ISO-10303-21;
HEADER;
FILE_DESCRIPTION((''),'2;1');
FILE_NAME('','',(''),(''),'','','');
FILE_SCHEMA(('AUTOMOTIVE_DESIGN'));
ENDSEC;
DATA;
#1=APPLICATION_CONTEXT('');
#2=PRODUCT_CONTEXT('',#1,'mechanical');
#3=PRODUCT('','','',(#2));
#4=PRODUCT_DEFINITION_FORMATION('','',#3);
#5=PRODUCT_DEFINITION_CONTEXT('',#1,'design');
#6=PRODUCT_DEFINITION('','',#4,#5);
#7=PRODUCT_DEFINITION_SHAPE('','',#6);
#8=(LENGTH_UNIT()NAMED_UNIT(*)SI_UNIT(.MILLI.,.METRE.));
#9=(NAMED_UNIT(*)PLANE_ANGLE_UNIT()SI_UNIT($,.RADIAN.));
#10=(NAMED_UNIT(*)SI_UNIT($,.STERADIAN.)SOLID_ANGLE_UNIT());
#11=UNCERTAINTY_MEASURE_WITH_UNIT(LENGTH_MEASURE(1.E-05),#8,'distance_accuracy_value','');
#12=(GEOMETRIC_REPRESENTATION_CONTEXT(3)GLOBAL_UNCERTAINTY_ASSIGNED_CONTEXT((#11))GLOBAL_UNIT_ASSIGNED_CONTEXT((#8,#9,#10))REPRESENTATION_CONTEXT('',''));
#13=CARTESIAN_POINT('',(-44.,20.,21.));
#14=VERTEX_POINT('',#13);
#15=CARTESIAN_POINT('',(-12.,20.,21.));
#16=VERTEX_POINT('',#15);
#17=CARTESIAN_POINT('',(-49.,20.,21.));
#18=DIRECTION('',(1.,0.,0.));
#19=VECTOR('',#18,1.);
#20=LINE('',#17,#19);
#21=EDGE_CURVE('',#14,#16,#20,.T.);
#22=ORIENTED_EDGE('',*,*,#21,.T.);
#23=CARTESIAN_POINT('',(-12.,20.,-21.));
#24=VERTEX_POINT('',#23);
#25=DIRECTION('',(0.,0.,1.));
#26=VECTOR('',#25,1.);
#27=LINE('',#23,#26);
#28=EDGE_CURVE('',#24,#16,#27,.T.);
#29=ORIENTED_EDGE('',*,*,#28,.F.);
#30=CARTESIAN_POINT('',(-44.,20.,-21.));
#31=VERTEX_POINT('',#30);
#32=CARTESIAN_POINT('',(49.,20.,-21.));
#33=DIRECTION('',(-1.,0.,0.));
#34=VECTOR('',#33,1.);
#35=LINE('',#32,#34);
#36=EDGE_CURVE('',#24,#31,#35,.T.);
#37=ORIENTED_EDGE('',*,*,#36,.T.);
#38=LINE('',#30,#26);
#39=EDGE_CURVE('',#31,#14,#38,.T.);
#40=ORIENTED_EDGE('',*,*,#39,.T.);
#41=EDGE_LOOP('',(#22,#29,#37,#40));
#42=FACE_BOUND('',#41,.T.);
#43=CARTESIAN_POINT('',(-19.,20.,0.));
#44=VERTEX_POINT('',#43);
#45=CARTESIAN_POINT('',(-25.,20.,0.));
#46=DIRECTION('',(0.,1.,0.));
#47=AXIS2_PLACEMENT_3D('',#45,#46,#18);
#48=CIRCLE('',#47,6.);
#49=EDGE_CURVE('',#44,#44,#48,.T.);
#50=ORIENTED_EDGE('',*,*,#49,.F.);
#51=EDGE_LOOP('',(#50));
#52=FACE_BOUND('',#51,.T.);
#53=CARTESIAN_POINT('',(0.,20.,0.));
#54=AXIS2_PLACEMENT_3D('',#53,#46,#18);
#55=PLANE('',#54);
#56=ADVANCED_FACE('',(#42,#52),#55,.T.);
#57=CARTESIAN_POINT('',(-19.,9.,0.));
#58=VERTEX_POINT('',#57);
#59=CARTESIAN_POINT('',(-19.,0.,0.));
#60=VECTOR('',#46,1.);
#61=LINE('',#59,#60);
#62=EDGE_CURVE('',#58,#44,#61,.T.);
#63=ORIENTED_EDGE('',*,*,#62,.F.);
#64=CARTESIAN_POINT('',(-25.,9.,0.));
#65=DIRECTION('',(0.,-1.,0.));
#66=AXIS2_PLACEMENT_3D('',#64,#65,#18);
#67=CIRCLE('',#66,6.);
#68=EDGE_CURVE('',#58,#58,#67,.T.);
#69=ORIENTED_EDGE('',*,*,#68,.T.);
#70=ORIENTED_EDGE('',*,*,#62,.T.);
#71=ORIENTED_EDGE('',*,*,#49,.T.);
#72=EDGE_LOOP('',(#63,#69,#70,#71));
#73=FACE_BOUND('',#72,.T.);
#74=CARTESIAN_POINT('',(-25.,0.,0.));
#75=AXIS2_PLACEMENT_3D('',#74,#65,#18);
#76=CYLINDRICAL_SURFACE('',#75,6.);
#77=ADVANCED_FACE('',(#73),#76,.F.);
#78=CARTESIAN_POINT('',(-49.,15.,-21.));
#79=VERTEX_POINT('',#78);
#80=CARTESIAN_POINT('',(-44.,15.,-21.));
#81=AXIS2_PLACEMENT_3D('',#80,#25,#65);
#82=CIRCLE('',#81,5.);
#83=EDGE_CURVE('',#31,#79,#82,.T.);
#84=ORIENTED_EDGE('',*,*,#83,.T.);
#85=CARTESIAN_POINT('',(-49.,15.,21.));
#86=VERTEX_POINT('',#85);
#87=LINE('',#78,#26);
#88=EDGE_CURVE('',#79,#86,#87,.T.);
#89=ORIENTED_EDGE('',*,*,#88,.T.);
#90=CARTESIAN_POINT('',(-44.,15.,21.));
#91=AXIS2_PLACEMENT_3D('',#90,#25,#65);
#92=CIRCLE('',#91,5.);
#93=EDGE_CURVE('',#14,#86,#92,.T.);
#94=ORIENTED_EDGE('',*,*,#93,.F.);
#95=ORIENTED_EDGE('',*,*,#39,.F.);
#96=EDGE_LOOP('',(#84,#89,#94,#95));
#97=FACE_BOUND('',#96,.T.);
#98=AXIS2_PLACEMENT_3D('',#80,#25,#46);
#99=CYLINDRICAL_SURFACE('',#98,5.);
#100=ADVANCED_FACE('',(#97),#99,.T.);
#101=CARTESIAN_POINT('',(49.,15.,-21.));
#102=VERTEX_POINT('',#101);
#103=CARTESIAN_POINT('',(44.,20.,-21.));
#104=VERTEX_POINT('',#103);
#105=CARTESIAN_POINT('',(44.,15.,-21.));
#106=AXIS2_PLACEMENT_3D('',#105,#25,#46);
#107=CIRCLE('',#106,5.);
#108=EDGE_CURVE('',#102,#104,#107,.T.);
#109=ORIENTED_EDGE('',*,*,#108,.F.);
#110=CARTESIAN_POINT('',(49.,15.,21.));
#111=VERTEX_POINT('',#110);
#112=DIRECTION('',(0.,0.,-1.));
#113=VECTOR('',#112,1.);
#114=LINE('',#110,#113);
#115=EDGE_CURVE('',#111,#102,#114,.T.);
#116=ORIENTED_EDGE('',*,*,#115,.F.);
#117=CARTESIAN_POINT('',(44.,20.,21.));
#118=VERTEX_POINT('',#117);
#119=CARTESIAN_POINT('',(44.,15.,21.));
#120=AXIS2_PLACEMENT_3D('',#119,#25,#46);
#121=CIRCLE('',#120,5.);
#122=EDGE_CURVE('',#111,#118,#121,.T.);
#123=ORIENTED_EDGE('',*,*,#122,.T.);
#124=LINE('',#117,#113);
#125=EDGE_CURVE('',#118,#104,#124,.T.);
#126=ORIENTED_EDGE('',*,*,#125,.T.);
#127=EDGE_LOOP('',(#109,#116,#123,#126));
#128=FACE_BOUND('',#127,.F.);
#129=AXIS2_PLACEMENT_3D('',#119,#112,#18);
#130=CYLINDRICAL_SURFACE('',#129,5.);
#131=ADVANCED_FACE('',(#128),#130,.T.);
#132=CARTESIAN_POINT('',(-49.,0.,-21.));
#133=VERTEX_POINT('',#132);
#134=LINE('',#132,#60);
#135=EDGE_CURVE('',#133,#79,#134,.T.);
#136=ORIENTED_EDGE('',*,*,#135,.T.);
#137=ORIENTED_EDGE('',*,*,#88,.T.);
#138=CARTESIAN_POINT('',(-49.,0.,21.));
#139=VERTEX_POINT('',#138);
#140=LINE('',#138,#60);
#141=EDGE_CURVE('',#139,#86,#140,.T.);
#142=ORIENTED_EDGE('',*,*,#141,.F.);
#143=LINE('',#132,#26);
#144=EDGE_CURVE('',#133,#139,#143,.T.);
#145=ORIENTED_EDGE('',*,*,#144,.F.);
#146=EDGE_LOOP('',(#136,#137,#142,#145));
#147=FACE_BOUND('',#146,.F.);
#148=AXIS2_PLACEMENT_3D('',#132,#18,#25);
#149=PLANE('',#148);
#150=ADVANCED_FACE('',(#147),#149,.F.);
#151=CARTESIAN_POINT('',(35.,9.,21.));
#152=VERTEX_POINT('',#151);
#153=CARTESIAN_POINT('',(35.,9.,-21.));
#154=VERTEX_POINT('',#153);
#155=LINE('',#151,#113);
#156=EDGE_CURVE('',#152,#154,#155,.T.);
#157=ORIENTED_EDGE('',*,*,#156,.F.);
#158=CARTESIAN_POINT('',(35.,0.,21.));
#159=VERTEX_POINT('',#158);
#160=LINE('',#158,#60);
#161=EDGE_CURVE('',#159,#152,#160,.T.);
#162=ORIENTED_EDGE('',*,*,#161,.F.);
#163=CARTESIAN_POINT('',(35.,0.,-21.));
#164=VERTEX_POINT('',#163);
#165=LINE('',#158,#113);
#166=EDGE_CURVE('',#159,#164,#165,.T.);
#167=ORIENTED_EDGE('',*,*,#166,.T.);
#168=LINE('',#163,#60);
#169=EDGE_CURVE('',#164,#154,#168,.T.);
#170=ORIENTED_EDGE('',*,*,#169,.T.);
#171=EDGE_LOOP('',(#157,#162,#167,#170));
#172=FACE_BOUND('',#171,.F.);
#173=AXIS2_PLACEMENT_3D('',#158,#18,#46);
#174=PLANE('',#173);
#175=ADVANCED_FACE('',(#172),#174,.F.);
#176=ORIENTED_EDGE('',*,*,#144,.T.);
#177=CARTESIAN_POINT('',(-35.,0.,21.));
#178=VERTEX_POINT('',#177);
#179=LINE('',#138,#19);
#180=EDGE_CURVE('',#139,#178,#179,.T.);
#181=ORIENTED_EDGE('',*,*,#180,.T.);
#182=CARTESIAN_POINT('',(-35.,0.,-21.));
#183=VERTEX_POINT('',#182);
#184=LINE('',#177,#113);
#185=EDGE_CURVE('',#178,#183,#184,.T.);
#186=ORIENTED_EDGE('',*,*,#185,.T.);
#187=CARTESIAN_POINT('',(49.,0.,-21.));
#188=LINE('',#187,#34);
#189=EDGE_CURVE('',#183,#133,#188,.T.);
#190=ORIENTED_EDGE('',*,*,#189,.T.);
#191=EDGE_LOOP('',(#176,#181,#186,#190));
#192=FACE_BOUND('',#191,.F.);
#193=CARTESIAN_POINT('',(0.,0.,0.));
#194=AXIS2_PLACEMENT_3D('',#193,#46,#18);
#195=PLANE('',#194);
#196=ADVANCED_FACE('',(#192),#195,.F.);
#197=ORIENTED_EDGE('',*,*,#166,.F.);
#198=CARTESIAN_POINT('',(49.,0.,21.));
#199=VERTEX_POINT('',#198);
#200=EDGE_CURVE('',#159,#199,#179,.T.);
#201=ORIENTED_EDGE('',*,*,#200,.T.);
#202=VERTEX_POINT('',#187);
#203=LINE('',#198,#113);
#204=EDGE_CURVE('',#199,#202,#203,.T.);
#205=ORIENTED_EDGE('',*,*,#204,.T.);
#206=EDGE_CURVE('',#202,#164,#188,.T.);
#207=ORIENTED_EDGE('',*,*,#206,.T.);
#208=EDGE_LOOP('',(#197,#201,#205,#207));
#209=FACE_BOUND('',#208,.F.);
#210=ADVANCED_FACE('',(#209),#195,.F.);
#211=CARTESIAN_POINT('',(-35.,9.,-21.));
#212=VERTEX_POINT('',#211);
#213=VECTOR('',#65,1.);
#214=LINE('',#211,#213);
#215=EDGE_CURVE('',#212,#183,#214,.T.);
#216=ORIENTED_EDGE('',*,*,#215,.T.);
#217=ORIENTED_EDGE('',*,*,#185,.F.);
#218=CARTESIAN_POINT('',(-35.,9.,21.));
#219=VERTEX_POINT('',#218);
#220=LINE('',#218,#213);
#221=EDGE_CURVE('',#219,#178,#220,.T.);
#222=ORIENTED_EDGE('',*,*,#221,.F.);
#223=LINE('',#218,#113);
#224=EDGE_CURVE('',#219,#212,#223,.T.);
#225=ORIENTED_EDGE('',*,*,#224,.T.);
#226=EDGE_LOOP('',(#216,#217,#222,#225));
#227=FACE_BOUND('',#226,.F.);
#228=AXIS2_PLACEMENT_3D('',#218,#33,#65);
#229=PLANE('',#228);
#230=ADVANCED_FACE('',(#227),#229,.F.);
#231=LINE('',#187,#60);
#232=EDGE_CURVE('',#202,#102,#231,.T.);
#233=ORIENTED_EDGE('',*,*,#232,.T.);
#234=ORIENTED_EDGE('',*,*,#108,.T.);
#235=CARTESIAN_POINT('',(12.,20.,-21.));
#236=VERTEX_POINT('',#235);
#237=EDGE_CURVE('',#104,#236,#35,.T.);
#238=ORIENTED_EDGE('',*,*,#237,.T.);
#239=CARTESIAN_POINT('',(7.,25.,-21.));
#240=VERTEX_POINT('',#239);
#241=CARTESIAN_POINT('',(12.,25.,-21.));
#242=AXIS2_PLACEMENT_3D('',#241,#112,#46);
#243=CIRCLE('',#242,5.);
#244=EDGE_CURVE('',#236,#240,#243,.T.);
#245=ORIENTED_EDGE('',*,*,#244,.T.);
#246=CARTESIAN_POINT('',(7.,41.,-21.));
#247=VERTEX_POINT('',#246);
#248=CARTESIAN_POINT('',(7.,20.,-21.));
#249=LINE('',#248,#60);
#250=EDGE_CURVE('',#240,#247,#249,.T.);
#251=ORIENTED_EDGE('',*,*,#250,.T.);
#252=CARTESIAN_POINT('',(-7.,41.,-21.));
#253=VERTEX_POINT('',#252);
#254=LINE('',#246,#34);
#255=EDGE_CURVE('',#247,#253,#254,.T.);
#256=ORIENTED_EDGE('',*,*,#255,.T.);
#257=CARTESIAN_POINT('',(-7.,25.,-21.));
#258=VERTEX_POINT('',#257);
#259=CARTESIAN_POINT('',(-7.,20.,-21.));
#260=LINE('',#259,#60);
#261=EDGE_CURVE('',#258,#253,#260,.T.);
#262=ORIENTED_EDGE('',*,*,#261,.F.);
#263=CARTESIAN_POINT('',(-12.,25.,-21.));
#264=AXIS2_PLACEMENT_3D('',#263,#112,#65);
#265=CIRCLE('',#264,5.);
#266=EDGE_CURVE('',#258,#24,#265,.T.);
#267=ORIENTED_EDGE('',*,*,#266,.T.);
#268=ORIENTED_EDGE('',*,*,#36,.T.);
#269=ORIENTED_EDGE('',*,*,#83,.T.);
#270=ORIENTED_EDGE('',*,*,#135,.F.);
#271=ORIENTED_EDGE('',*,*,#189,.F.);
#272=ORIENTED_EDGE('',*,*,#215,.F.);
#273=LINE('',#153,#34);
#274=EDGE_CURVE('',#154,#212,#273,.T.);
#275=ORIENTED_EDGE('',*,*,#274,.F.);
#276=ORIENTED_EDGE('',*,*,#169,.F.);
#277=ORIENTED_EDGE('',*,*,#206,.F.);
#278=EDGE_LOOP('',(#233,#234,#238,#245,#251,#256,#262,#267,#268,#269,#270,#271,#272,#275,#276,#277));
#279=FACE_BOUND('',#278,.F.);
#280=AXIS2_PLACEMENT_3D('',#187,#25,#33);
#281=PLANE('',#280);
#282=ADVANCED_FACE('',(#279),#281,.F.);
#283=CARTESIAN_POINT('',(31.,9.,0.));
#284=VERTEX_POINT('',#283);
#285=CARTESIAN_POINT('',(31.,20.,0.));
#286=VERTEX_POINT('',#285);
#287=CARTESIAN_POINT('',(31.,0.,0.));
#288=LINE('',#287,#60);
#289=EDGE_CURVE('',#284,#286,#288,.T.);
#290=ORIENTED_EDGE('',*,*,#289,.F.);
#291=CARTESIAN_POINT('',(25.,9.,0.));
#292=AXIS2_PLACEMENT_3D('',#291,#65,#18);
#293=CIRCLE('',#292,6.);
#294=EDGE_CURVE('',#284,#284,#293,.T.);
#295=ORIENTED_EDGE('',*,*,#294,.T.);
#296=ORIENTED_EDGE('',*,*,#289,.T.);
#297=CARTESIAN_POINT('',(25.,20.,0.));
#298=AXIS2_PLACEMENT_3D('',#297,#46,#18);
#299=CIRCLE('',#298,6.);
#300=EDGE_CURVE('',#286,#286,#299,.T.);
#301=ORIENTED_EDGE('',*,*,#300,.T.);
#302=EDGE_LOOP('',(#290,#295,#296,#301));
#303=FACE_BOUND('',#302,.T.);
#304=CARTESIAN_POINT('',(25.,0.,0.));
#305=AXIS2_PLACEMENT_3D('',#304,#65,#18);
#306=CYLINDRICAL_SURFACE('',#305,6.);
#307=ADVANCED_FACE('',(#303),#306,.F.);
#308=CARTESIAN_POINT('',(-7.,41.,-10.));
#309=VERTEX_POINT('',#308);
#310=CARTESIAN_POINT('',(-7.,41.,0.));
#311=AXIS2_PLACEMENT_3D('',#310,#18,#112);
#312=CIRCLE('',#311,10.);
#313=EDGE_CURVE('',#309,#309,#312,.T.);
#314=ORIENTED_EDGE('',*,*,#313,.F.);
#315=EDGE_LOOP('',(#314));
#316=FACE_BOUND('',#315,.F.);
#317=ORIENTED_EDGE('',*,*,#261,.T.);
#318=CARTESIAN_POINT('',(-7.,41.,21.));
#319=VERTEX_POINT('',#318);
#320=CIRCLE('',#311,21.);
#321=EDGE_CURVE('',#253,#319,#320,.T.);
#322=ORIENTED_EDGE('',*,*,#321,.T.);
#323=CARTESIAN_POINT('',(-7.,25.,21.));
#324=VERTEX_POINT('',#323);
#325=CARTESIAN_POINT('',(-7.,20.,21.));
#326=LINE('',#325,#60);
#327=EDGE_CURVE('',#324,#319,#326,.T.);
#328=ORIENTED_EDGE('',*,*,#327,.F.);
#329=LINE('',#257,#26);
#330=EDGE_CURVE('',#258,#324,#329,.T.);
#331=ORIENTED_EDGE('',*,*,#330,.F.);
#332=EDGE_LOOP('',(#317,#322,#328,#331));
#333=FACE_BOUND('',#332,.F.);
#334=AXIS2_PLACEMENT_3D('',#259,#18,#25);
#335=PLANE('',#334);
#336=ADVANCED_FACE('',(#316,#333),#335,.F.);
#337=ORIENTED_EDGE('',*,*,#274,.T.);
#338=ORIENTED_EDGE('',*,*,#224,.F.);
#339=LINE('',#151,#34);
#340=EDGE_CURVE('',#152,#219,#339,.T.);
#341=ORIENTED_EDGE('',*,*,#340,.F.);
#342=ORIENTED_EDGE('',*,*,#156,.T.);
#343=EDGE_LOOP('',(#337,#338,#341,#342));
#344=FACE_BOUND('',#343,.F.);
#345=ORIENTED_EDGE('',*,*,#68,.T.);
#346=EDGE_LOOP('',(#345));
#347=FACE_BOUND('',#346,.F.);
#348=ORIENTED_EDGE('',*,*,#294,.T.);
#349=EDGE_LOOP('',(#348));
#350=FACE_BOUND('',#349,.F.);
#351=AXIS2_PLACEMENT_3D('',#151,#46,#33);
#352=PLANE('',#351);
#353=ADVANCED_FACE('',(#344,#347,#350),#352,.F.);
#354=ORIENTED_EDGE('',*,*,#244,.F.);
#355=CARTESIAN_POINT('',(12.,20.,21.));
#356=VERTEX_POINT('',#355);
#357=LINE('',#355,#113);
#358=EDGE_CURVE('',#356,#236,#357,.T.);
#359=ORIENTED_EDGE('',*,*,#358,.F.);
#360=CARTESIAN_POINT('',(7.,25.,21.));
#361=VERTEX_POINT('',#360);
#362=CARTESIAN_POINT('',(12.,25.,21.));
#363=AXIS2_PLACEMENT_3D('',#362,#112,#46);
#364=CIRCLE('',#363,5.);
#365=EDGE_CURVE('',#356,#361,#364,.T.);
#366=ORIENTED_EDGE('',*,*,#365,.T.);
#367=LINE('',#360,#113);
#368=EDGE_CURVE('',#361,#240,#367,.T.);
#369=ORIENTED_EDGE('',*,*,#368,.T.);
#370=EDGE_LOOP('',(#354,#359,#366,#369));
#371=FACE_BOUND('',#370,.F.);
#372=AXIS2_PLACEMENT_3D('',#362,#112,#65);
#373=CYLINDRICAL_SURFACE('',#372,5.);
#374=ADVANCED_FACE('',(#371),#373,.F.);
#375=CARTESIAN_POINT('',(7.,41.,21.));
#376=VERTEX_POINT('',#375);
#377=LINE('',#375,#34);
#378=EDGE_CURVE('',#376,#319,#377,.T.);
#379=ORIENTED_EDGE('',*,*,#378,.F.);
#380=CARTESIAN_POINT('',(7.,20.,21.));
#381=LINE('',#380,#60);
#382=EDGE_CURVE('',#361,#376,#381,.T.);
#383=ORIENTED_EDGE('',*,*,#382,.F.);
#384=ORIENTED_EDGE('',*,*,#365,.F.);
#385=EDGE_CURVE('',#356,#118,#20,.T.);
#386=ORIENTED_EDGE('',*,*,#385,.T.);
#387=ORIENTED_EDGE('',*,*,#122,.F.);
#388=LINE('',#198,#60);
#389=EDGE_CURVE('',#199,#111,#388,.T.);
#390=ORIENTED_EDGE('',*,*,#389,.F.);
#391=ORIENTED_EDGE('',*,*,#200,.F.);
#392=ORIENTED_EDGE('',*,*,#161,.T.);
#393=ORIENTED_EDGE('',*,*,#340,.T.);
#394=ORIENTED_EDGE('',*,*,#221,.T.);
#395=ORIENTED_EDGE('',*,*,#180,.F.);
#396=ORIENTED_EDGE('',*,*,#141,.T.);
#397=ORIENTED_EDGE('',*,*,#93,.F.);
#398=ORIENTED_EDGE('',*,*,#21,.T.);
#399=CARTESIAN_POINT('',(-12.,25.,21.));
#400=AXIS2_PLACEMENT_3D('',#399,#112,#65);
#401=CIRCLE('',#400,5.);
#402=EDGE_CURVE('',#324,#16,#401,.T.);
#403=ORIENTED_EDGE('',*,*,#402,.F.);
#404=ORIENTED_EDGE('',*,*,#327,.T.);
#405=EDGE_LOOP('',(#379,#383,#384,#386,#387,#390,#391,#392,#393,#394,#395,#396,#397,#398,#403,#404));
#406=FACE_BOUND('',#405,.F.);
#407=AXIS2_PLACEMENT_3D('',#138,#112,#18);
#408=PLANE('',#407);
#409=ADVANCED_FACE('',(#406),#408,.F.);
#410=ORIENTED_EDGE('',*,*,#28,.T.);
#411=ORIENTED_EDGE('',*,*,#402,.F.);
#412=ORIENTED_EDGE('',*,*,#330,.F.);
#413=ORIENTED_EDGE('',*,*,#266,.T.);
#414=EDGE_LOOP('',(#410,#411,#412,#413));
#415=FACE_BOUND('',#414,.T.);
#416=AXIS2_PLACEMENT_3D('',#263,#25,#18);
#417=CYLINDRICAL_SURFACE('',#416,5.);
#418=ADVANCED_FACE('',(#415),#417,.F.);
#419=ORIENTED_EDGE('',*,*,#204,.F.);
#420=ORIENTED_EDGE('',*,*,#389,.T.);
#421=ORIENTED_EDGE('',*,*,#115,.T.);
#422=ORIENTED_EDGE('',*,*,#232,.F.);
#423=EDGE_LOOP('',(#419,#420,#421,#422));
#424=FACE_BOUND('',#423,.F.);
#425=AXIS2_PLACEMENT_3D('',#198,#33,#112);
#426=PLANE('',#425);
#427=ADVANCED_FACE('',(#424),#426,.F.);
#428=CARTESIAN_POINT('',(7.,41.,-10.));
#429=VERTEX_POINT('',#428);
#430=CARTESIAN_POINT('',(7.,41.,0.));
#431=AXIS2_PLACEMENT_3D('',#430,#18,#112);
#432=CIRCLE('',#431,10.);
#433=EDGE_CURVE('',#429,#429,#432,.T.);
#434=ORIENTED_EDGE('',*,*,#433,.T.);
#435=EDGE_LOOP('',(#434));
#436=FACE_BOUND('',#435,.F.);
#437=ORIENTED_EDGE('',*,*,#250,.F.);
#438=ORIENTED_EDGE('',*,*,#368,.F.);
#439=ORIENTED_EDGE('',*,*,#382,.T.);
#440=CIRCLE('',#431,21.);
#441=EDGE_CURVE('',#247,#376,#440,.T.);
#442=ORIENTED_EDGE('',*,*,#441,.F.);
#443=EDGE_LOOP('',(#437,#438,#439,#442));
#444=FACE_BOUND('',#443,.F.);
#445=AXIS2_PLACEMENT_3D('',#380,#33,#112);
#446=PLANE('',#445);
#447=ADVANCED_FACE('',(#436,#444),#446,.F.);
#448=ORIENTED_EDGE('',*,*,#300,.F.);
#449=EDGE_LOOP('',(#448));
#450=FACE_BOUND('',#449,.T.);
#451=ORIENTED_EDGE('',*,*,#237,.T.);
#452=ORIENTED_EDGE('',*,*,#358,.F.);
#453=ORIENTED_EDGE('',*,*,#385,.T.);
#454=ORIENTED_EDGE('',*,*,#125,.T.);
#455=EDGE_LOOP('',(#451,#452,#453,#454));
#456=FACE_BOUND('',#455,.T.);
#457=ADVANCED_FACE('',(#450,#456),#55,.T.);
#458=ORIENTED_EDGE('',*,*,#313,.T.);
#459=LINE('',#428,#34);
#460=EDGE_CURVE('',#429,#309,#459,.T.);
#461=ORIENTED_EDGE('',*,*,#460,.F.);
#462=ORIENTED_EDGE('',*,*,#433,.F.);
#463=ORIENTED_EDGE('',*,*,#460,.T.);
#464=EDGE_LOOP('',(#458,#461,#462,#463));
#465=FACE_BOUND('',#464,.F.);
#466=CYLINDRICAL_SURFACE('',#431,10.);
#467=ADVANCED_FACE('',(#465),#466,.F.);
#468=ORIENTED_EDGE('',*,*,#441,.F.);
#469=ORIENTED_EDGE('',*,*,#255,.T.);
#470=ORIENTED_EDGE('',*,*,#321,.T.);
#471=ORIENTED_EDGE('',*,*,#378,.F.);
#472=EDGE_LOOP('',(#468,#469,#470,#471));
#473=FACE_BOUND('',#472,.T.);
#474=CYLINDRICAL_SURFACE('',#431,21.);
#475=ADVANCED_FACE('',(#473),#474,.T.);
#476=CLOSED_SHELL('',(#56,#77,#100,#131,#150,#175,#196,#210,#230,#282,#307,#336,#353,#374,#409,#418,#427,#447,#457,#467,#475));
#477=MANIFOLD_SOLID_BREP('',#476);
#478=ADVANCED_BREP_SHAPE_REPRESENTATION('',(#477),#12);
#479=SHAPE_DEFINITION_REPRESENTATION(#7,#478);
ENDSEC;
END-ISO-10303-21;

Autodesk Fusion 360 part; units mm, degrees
sketch "Sketch1" plane through (0, 0, 0) normal (0, 1, 0) x (1, 0, 0)
  line L0 (49, 21) -> (-49, 21)
  line L1 (-49, 21) -> (-49, -21)
  line L2 (-49, -21) -> (49, -21)
  line L3 (49, -21) -> (49, 21)
  line L4 (49, 21) -> (-49, -21) construction
  line L5 (-49, 21) -> (49, -21) construction
  circle A0 centre (25, 0) radius 6
  circle A1 centre (-25, 0) radius 6
  dimension "d1" = 98
  dimension "d2" = 42
  dimension "d3" = 12
  dimension "d4" = 12
  dimension "d5" = 24
  dimension "d6" = 21
  dimension "d8" = 21
  dimension "d16" = 50
extrude "Extrude1" add sketch "Sketch1" along normal blind 20
sketch "Sketch2" plane through (0, 0, 21) normal (0, 0, 1) x (1, 0, 0)
  line L0 (-49, 0) -> (49, 0)
  line L1 (49, 0) -> (49, 20)
  line L2 (49, 20) -> (-49, 20)
  line L3 (-49, 20) -> (-49, 0)
  line L4 (-35, 0) -> (35, 0)
  line L5 (35, 0) -> (35, 9)
  line L6 (35, 9) -> (-35, 9)
  line L7 (-35, 9) -> (-35, 0)
  dimension "d11" = 70
  dimension "d12" = 9
  dimension "d13" = 14
extrude "Extrude2" cut sketch "Sketch2" against normal blind 42 contours L0 L4 L5 L6 L7
sketch "Sketch3" plane through (0, 20, 0) normal (0, 1, 0) x (-1, 0, 0)
  circle A0 centre (25, 0) radius 6
  circle A1 centre (-25, 0) radius 6
  line L0 (-49, 21) -> (-49, -21)
  line L1 (-49, -21) -> (49, -21)
  line L2 (49, -21) -> (49, 21)
  line L3 (49, 21) -> (-49, 21)
  line L4 (-7, -21) -> (7, -21)
  line L5 (7, -21) -> (7, 21)
  line L6 (7, 21) -> (-7, 21)
  line L7 (-7, 21) -> (-7, -21)
  line L8 (-7, -21) -> (7, 21) construction
  line L9 (7, -21) -> (-7, 21) construction
  dimension "d17" = 14
  dimension "d18" = 42
extrude "Extrude3" add sketch "Sketch3" along normal blind 42 contours L1 L3 L4 L5 L6 L7
sketch "Sketch4" plane through (7, 0, 0) normal (1, 0, 0) x (0, 0, -1)
  line L0 (-21, 20) -> (21, 20)
  line L1 (21, 20) -> (21, 62)
  line L2 (21, 62) -> (-21, 62)
  line L3 (-21, 62) -> (-21, 20)
  circle A0 centre (0, 41) radius 10
  arc A1 (21, 41) -> (-21, 41) centre (0, 41) ccw
  dimension "d21" = 42
  dimension "d22" = 21
extrude "Extrude4" cut sketch "Sketch4" against normal blind 14 contours L2 L3 A1 | L1 L2 A1 | A0
fillet "Fillet1" radius 5 2 edges at (49, 20, 0) (-49, 20, 0)
fillet "Fillet2" radius 5 2 edges at (7, 20, 0) (-7, 20, 0)
